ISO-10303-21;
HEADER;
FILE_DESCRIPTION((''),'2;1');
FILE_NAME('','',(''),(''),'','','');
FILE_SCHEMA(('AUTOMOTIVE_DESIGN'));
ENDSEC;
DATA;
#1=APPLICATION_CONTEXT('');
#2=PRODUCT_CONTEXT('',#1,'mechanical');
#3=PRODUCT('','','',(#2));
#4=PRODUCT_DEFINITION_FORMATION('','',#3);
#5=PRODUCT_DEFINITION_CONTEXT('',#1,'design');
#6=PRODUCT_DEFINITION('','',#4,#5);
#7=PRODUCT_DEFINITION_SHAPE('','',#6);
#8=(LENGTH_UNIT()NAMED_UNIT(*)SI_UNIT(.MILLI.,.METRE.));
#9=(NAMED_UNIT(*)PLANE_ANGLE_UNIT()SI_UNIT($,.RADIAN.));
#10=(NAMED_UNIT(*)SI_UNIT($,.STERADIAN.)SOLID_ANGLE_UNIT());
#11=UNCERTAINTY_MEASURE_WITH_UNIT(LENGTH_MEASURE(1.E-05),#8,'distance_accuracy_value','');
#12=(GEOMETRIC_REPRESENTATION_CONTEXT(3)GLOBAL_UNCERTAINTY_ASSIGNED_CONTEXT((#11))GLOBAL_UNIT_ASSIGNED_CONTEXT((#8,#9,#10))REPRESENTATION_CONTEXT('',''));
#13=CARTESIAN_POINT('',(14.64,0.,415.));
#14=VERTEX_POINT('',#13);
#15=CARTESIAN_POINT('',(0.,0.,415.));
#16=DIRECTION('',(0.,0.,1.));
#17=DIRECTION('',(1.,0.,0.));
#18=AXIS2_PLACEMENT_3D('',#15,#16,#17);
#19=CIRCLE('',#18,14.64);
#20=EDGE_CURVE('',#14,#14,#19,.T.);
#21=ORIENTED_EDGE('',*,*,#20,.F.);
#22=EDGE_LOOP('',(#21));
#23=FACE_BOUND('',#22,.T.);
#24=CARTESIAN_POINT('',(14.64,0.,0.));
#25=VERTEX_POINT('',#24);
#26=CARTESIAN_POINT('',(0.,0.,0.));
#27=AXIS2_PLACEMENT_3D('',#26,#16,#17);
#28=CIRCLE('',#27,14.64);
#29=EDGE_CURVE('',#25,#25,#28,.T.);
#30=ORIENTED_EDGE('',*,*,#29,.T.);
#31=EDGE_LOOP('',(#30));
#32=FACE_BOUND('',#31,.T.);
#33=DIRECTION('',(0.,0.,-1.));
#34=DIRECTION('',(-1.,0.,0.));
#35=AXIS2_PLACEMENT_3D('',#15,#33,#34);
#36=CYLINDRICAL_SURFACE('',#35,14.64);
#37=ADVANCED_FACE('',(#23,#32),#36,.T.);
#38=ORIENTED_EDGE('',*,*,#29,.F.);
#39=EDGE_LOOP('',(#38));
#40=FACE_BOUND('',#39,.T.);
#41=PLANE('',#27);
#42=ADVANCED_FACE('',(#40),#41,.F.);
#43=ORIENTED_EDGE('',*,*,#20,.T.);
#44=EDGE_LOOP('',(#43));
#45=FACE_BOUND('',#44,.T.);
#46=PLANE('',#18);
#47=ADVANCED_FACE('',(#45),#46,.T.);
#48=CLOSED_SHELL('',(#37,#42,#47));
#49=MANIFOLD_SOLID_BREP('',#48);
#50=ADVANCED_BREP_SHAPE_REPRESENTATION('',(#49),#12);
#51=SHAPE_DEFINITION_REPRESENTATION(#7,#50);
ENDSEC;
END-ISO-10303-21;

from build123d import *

# Parameters (mm, degrees)
SKETCH1_R      = 14.64
EXTRUDE1_DEPTH = 415


with BuildPart() as part:
    # Sketch1 → Extrude1 (new body)
    with BuildSketch(Plane.XY):
        Circle(SKETCH1_R)
    extrude(amount=EXTRUDE1_DEPTH)


solid = part.part
